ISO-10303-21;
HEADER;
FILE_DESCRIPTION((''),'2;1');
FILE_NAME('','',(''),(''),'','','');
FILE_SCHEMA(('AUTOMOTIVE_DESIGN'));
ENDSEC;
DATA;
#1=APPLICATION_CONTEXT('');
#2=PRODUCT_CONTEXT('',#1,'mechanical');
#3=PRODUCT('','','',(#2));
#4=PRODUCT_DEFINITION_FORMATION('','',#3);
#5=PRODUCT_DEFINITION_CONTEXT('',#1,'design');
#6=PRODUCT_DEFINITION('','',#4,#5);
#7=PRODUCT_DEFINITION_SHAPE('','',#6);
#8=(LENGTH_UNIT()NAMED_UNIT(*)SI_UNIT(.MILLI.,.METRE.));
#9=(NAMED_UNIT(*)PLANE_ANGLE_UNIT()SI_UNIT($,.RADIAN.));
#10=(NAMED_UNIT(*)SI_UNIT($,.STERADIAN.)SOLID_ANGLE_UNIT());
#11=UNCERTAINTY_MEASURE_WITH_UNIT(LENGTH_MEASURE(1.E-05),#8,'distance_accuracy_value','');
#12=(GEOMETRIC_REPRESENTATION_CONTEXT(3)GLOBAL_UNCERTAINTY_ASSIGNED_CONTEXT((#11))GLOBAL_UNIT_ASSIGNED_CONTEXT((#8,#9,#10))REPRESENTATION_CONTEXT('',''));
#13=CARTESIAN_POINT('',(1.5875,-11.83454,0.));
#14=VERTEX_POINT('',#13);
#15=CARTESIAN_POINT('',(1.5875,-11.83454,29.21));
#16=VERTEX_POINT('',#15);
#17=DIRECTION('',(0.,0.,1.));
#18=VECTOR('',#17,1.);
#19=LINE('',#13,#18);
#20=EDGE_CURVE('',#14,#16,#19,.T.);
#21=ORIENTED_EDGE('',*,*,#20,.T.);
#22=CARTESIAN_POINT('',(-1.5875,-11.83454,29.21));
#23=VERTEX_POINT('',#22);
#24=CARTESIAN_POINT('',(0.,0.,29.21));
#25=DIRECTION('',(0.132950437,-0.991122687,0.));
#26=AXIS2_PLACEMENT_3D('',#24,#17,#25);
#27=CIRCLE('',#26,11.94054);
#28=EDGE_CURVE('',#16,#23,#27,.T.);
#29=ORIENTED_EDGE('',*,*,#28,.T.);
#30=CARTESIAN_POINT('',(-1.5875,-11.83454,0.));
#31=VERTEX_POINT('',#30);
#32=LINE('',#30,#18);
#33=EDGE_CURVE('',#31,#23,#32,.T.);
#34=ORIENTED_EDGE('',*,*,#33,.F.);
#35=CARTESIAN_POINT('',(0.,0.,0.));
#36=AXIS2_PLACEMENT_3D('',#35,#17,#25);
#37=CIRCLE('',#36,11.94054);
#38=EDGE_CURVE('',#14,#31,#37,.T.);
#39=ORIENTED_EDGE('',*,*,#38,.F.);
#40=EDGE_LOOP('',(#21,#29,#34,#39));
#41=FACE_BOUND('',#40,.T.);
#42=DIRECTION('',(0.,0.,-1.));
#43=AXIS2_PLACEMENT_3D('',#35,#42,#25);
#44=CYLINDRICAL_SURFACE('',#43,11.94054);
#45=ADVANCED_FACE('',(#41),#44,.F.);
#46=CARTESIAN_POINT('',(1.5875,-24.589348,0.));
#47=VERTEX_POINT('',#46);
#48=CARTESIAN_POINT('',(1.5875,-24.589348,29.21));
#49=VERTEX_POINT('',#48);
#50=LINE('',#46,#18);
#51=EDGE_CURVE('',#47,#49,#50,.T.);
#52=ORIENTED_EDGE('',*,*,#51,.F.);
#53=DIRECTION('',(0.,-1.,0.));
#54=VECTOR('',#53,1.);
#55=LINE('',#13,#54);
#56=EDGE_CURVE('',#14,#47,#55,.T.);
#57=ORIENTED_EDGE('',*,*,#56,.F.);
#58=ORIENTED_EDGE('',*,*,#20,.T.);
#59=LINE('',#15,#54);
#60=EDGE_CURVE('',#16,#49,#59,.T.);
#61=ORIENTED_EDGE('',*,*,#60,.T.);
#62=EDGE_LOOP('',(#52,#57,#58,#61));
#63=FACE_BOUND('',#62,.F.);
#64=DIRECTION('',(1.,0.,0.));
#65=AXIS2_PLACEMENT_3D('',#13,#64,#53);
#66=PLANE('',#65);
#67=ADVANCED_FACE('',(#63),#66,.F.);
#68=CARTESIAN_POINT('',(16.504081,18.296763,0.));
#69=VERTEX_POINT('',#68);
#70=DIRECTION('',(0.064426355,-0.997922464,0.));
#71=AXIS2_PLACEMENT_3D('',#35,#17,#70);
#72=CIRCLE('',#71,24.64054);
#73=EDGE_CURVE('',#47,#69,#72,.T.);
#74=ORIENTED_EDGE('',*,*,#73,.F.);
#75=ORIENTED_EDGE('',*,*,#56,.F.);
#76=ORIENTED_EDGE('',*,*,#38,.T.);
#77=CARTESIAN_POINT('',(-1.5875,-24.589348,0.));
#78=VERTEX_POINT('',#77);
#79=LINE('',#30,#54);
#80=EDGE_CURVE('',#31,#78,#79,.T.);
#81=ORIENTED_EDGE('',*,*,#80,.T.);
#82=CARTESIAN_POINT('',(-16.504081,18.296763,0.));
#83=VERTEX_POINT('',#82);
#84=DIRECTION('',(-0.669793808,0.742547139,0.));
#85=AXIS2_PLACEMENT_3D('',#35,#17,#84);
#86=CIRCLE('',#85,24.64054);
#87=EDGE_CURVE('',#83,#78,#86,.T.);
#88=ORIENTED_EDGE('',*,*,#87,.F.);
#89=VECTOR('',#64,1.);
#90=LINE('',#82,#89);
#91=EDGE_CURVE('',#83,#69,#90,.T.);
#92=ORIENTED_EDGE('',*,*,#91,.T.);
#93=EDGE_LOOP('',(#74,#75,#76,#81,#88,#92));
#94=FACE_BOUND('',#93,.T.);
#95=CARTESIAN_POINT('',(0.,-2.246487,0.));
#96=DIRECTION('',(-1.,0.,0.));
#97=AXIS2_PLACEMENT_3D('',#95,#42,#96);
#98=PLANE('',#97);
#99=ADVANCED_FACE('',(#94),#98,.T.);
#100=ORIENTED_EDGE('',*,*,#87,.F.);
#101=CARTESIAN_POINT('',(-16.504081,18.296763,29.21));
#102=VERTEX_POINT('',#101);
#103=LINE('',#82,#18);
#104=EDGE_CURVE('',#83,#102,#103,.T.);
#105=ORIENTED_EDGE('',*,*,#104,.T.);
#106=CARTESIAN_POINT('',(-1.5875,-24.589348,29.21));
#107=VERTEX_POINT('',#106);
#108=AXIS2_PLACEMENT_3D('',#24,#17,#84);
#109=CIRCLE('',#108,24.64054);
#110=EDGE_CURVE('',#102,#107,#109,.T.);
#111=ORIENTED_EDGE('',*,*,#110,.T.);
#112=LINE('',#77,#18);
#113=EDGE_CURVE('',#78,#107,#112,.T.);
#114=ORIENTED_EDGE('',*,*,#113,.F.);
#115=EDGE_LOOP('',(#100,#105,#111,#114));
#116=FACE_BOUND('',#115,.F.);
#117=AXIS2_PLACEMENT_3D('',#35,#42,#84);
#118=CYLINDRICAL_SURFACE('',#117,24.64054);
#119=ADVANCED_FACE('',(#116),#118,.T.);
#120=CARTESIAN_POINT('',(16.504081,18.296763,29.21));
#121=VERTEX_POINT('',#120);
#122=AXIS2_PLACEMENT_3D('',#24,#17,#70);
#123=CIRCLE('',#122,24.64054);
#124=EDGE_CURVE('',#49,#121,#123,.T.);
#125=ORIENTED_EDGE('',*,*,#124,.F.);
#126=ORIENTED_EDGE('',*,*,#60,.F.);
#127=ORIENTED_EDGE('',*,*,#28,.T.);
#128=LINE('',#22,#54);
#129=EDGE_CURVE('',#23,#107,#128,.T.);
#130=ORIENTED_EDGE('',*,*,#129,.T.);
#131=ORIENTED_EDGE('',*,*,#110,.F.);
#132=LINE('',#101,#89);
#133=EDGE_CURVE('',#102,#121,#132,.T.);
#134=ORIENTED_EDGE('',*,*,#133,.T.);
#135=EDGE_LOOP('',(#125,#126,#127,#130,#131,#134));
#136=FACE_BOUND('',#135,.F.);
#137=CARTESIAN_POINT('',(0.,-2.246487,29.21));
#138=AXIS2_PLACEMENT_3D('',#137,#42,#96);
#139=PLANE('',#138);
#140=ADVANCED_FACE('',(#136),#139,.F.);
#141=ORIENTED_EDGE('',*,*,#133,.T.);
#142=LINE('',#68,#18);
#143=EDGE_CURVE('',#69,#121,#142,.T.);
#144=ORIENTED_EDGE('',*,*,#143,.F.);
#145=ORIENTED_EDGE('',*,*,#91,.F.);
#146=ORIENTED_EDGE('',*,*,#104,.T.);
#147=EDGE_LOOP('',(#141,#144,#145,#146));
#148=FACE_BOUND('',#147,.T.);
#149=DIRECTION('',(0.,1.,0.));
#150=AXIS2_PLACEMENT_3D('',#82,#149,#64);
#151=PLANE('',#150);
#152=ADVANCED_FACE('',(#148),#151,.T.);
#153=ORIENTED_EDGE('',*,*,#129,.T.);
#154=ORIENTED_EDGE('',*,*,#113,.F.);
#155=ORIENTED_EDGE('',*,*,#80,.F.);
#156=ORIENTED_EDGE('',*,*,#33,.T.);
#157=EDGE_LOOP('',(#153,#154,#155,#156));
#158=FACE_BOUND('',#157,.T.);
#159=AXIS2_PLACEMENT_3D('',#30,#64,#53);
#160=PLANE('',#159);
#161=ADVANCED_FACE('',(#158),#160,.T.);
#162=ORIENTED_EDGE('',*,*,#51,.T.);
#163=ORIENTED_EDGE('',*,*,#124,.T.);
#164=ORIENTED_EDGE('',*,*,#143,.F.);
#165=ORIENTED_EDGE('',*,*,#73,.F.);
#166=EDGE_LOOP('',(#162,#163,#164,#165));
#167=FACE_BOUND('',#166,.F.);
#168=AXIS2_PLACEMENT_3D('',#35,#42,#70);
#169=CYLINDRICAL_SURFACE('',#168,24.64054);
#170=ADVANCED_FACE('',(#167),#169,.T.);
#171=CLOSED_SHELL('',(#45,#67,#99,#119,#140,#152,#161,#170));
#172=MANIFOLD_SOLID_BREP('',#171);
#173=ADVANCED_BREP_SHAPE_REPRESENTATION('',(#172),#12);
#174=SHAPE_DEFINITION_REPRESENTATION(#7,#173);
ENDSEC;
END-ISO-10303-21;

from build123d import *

# Parameters (mm, degrees)
PAD_DEPTH = 29.21


with BuildPart() as part:
    # Sketch → Pad (new body)
    with BuildSketch(Plane.XY):
        with BuildLine():
            ThreePointArc((1.5875, -11.83454), (0, 11.94054), (-1.5875, -11.83454))
            Line((-1.5875, -11.83454), (-1.5875, -24.589348))
            ThreePointArc((-16.504081, 18.296763), (-23.272966, -8.094767), (-1.5875, -24.589348))
            Line((-16.504081, 18.296763), (16.504081, 18.296763))
            ThreePointArc((1.5875, -24.589348), (23.272966, -8.094767), (16.504081, 18.296763))
            Line((1.5875, -11.83454), (1.5875, -24.589348))
        make_face()
    extrude(amount=PAD_DEPTH)


solid = part.part
